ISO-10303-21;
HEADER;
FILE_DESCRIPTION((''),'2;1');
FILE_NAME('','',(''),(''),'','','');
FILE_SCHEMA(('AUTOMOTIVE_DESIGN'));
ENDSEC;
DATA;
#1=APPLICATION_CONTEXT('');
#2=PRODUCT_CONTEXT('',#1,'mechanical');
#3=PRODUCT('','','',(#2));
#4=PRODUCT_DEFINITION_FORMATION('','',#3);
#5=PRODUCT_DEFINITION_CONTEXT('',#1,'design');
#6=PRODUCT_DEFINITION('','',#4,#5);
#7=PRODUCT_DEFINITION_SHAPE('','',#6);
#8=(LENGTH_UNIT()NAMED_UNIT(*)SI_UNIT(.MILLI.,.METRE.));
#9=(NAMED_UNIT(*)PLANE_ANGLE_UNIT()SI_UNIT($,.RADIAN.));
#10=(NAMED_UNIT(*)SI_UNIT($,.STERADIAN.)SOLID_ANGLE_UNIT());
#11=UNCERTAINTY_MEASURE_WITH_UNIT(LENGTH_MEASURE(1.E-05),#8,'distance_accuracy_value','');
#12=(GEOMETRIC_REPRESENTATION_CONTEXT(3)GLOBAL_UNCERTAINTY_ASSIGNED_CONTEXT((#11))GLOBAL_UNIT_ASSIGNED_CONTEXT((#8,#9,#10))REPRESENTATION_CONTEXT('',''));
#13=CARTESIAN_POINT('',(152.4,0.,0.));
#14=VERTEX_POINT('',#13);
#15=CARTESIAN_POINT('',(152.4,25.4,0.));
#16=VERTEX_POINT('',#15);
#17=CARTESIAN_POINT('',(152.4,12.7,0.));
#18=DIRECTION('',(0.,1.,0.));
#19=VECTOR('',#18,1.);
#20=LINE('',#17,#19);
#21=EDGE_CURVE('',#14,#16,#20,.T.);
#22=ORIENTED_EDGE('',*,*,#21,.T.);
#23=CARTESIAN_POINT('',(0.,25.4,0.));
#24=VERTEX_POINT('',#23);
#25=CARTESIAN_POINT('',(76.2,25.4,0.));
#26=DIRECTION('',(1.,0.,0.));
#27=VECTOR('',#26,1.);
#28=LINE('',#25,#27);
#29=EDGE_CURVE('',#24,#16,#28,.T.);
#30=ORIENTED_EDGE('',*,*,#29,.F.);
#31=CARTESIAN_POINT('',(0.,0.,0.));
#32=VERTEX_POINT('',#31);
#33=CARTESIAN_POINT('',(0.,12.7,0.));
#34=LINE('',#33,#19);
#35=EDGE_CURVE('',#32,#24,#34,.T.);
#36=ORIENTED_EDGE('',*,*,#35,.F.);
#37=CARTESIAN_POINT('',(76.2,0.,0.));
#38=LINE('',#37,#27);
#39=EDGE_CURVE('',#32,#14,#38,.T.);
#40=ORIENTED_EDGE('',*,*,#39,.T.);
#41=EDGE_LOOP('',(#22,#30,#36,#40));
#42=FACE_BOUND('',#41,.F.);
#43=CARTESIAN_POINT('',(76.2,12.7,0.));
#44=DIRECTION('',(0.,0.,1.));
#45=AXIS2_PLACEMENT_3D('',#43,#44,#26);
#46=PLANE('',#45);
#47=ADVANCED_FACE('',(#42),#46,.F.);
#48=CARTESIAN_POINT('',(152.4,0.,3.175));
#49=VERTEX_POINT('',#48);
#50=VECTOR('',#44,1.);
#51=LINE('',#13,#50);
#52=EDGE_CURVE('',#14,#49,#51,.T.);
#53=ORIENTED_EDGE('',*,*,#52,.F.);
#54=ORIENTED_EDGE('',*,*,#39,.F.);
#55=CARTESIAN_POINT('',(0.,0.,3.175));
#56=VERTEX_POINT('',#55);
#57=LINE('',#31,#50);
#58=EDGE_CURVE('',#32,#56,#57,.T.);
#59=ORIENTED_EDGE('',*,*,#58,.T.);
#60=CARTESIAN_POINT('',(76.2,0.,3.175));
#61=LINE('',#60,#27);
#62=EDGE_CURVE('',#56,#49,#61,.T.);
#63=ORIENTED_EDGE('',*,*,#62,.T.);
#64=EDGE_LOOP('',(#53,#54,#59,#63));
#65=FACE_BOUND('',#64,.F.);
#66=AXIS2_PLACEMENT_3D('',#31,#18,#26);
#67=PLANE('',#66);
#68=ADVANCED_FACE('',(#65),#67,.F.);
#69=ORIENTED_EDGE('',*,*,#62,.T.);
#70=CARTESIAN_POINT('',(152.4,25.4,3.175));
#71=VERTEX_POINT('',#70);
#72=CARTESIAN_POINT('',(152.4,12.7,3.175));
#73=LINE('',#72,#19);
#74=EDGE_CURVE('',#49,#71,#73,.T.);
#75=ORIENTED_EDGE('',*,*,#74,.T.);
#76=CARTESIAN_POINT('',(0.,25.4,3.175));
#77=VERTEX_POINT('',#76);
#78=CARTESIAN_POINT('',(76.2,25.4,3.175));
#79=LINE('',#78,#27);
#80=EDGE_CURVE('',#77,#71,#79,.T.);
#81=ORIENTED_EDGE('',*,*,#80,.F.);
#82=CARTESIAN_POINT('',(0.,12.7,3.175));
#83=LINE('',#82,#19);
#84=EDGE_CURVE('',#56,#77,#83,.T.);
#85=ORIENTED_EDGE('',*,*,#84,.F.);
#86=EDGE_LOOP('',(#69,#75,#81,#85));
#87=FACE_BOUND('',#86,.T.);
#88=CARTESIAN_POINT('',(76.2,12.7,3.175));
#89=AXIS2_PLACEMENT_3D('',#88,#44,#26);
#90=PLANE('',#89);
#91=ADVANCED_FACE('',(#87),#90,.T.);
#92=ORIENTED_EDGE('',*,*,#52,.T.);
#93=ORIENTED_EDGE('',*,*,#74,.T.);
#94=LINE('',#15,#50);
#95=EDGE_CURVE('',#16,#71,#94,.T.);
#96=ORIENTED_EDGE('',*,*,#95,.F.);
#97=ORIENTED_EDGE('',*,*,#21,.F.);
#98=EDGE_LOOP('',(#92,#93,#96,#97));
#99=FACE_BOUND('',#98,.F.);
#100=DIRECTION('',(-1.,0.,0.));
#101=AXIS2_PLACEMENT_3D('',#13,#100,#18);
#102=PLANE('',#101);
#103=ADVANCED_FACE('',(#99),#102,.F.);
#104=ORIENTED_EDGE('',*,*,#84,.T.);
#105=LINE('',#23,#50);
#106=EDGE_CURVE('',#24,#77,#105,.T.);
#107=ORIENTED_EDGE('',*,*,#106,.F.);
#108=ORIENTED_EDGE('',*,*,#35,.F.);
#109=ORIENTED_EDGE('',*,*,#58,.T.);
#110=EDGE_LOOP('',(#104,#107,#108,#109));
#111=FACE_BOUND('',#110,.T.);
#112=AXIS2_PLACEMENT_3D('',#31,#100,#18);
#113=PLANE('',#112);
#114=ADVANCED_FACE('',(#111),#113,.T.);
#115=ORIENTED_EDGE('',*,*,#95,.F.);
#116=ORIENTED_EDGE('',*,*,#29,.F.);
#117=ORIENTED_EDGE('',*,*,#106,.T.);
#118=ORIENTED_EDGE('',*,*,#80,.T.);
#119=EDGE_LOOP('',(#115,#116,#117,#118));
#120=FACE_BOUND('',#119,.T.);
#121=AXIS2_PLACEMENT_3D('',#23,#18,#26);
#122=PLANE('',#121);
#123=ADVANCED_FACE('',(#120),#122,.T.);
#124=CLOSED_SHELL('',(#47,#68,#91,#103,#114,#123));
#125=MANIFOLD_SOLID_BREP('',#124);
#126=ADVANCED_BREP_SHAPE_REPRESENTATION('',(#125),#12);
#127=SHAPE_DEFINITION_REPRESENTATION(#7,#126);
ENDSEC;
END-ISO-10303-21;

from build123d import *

# Parameters (mm, degrees)
F0_W     = 152.4
F0_H     = 25.4
F0_R     = 3.175
F1_DEPTH = 3.175


with BuildPart() as f1:
    # F0 (on Top) → F1 (new body)
    with BuildSketch(Plane.XY):
        with Locations((76.2, 12.7)):
            Rectangle(F0_W, F0_H)
        with Locations((12.7, 12.7)):
            Circle(F0_R, mode=Mode.SUBTRACT)
        with Locations((139.7, 12.7)):
            Circle(F0_R, mode=Mode.SUBTRACT)
        with Locations((12.7, 12.7)):
            Circle(F0_R)
        with Locations((139.7, 12.7)):
            Circle(F0_R)
    extrude(amount=F1_DEPTH)


solid = f1.part
